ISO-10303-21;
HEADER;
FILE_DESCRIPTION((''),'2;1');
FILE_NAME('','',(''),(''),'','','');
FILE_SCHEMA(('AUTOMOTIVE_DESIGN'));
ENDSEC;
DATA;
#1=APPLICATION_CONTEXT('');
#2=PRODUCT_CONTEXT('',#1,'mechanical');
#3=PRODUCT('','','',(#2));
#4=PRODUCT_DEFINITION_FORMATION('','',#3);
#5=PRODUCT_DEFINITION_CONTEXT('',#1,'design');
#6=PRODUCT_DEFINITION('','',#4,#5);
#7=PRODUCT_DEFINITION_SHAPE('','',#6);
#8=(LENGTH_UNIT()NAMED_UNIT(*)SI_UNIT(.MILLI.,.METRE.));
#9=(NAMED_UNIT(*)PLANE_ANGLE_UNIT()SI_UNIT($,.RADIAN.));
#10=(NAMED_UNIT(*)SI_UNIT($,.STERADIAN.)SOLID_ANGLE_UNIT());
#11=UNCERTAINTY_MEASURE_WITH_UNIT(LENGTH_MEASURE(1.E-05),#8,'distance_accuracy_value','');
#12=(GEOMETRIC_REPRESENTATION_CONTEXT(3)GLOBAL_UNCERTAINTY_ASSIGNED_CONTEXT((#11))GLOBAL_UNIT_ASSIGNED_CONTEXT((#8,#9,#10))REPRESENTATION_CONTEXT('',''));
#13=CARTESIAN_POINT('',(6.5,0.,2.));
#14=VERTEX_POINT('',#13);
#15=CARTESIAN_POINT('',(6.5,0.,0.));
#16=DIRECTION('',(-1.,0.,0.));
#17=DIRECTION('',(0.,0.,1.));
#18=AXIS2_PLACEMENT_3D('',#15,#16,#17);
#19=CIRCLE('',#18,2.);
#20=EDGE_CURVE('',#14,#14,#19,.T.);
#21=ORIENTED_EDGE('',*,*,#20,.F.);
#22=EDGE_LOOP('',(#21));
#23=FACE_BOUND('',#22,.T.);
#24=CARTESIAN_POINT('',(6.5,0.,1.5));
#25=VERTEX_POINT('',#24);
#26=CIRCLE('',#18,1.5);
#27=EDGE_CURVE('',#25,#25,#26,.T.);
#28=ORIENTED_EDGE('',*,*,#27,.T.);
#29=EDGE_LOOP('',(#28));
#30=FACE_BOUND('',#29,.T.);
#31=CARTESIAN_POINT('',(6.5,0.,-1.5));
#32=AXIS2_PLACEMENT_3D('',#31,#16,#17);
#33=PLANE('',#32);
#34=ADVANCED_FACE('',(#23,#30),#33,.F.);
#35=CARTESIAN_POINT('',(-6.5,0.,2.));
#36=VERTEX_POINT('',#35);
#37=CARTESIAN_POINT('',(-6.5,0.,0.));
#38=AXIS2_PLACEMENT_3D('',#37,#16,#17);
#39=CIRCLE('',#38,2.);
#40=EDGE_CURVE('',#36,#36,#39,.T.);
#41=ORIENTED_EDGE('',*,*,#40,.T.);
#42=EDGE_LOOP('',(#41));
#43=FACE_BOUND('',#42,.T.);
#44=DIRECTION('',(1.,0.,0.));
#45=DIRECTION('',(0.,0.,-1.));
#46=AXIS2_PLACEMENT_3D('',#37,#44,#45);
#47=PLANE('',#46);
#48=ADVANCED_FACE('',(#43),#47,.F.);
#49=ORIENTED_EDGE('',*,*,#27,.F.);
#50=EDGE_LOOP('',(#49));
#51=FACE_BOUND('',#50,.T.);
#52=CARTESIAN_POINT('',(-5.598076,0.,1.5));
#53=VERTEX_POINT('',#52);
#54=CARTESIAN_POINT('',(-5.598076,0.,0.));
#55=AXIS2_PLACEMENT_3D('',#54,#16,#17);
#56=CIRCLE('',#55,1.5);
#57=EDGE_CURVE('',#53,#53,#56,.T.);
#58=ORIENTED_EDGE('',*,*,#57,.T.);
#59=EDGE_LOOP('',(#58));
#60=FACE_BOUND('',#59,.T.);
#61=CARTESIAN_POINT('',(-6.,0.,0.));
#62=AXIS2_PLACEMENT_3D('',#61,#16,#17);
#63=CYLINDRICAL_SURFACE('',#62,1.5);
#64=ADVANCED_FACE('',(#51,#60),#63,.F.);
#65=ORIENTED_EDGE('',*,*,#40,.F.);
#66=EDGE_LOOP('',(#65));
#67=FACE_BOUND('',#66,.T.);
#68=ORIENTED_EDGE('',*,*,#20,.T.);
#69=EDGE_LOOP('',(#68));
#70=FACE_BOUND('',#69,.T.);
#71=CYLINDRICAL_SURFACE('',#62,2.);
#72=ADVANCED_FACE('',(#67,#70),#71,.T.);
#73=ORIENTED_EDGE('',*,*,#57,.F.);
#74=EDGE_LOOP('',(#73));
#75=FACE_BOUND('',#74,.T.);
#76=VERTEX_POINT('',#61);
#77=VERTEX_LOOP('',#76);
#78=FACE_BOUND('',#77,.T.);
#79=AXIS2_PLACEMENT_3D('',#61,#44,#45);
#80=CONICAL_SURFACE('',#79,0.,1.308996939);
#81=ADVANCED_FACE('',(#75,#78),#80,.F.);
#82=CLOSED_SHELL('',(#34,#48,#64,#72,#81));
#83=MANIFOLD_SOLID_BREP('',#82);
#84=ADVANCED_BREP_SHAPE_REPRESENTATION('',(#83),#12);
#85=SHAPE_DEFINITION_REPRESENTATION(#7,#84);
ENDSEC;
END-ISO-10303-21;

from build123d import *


with BuildPart() as part:
    # Sketch1 → Revolve1 (revolve)
    with BuildSketch(Plane(origin=(0, 0, 0), x_dir=(1, 0, 0), z_dir=(0, 1, 0)), mode=Mode.PRIVATE) as revolve1_sk:
        Polygon((-6.5, 0), (-6, 0), (-5.598076211, 1.5), (6.5, 1.5), (6.5, 2), (-6.5, 2), align=None)
    revolve(revolve1_sk.sketch.rotate(Axis((-6, 0, 0), (1, 0, 0)), 180), axis=Axis((-6, 0, 0), (1, 0, 0)))  # turned: the seam where the file's is


solid = part.part
